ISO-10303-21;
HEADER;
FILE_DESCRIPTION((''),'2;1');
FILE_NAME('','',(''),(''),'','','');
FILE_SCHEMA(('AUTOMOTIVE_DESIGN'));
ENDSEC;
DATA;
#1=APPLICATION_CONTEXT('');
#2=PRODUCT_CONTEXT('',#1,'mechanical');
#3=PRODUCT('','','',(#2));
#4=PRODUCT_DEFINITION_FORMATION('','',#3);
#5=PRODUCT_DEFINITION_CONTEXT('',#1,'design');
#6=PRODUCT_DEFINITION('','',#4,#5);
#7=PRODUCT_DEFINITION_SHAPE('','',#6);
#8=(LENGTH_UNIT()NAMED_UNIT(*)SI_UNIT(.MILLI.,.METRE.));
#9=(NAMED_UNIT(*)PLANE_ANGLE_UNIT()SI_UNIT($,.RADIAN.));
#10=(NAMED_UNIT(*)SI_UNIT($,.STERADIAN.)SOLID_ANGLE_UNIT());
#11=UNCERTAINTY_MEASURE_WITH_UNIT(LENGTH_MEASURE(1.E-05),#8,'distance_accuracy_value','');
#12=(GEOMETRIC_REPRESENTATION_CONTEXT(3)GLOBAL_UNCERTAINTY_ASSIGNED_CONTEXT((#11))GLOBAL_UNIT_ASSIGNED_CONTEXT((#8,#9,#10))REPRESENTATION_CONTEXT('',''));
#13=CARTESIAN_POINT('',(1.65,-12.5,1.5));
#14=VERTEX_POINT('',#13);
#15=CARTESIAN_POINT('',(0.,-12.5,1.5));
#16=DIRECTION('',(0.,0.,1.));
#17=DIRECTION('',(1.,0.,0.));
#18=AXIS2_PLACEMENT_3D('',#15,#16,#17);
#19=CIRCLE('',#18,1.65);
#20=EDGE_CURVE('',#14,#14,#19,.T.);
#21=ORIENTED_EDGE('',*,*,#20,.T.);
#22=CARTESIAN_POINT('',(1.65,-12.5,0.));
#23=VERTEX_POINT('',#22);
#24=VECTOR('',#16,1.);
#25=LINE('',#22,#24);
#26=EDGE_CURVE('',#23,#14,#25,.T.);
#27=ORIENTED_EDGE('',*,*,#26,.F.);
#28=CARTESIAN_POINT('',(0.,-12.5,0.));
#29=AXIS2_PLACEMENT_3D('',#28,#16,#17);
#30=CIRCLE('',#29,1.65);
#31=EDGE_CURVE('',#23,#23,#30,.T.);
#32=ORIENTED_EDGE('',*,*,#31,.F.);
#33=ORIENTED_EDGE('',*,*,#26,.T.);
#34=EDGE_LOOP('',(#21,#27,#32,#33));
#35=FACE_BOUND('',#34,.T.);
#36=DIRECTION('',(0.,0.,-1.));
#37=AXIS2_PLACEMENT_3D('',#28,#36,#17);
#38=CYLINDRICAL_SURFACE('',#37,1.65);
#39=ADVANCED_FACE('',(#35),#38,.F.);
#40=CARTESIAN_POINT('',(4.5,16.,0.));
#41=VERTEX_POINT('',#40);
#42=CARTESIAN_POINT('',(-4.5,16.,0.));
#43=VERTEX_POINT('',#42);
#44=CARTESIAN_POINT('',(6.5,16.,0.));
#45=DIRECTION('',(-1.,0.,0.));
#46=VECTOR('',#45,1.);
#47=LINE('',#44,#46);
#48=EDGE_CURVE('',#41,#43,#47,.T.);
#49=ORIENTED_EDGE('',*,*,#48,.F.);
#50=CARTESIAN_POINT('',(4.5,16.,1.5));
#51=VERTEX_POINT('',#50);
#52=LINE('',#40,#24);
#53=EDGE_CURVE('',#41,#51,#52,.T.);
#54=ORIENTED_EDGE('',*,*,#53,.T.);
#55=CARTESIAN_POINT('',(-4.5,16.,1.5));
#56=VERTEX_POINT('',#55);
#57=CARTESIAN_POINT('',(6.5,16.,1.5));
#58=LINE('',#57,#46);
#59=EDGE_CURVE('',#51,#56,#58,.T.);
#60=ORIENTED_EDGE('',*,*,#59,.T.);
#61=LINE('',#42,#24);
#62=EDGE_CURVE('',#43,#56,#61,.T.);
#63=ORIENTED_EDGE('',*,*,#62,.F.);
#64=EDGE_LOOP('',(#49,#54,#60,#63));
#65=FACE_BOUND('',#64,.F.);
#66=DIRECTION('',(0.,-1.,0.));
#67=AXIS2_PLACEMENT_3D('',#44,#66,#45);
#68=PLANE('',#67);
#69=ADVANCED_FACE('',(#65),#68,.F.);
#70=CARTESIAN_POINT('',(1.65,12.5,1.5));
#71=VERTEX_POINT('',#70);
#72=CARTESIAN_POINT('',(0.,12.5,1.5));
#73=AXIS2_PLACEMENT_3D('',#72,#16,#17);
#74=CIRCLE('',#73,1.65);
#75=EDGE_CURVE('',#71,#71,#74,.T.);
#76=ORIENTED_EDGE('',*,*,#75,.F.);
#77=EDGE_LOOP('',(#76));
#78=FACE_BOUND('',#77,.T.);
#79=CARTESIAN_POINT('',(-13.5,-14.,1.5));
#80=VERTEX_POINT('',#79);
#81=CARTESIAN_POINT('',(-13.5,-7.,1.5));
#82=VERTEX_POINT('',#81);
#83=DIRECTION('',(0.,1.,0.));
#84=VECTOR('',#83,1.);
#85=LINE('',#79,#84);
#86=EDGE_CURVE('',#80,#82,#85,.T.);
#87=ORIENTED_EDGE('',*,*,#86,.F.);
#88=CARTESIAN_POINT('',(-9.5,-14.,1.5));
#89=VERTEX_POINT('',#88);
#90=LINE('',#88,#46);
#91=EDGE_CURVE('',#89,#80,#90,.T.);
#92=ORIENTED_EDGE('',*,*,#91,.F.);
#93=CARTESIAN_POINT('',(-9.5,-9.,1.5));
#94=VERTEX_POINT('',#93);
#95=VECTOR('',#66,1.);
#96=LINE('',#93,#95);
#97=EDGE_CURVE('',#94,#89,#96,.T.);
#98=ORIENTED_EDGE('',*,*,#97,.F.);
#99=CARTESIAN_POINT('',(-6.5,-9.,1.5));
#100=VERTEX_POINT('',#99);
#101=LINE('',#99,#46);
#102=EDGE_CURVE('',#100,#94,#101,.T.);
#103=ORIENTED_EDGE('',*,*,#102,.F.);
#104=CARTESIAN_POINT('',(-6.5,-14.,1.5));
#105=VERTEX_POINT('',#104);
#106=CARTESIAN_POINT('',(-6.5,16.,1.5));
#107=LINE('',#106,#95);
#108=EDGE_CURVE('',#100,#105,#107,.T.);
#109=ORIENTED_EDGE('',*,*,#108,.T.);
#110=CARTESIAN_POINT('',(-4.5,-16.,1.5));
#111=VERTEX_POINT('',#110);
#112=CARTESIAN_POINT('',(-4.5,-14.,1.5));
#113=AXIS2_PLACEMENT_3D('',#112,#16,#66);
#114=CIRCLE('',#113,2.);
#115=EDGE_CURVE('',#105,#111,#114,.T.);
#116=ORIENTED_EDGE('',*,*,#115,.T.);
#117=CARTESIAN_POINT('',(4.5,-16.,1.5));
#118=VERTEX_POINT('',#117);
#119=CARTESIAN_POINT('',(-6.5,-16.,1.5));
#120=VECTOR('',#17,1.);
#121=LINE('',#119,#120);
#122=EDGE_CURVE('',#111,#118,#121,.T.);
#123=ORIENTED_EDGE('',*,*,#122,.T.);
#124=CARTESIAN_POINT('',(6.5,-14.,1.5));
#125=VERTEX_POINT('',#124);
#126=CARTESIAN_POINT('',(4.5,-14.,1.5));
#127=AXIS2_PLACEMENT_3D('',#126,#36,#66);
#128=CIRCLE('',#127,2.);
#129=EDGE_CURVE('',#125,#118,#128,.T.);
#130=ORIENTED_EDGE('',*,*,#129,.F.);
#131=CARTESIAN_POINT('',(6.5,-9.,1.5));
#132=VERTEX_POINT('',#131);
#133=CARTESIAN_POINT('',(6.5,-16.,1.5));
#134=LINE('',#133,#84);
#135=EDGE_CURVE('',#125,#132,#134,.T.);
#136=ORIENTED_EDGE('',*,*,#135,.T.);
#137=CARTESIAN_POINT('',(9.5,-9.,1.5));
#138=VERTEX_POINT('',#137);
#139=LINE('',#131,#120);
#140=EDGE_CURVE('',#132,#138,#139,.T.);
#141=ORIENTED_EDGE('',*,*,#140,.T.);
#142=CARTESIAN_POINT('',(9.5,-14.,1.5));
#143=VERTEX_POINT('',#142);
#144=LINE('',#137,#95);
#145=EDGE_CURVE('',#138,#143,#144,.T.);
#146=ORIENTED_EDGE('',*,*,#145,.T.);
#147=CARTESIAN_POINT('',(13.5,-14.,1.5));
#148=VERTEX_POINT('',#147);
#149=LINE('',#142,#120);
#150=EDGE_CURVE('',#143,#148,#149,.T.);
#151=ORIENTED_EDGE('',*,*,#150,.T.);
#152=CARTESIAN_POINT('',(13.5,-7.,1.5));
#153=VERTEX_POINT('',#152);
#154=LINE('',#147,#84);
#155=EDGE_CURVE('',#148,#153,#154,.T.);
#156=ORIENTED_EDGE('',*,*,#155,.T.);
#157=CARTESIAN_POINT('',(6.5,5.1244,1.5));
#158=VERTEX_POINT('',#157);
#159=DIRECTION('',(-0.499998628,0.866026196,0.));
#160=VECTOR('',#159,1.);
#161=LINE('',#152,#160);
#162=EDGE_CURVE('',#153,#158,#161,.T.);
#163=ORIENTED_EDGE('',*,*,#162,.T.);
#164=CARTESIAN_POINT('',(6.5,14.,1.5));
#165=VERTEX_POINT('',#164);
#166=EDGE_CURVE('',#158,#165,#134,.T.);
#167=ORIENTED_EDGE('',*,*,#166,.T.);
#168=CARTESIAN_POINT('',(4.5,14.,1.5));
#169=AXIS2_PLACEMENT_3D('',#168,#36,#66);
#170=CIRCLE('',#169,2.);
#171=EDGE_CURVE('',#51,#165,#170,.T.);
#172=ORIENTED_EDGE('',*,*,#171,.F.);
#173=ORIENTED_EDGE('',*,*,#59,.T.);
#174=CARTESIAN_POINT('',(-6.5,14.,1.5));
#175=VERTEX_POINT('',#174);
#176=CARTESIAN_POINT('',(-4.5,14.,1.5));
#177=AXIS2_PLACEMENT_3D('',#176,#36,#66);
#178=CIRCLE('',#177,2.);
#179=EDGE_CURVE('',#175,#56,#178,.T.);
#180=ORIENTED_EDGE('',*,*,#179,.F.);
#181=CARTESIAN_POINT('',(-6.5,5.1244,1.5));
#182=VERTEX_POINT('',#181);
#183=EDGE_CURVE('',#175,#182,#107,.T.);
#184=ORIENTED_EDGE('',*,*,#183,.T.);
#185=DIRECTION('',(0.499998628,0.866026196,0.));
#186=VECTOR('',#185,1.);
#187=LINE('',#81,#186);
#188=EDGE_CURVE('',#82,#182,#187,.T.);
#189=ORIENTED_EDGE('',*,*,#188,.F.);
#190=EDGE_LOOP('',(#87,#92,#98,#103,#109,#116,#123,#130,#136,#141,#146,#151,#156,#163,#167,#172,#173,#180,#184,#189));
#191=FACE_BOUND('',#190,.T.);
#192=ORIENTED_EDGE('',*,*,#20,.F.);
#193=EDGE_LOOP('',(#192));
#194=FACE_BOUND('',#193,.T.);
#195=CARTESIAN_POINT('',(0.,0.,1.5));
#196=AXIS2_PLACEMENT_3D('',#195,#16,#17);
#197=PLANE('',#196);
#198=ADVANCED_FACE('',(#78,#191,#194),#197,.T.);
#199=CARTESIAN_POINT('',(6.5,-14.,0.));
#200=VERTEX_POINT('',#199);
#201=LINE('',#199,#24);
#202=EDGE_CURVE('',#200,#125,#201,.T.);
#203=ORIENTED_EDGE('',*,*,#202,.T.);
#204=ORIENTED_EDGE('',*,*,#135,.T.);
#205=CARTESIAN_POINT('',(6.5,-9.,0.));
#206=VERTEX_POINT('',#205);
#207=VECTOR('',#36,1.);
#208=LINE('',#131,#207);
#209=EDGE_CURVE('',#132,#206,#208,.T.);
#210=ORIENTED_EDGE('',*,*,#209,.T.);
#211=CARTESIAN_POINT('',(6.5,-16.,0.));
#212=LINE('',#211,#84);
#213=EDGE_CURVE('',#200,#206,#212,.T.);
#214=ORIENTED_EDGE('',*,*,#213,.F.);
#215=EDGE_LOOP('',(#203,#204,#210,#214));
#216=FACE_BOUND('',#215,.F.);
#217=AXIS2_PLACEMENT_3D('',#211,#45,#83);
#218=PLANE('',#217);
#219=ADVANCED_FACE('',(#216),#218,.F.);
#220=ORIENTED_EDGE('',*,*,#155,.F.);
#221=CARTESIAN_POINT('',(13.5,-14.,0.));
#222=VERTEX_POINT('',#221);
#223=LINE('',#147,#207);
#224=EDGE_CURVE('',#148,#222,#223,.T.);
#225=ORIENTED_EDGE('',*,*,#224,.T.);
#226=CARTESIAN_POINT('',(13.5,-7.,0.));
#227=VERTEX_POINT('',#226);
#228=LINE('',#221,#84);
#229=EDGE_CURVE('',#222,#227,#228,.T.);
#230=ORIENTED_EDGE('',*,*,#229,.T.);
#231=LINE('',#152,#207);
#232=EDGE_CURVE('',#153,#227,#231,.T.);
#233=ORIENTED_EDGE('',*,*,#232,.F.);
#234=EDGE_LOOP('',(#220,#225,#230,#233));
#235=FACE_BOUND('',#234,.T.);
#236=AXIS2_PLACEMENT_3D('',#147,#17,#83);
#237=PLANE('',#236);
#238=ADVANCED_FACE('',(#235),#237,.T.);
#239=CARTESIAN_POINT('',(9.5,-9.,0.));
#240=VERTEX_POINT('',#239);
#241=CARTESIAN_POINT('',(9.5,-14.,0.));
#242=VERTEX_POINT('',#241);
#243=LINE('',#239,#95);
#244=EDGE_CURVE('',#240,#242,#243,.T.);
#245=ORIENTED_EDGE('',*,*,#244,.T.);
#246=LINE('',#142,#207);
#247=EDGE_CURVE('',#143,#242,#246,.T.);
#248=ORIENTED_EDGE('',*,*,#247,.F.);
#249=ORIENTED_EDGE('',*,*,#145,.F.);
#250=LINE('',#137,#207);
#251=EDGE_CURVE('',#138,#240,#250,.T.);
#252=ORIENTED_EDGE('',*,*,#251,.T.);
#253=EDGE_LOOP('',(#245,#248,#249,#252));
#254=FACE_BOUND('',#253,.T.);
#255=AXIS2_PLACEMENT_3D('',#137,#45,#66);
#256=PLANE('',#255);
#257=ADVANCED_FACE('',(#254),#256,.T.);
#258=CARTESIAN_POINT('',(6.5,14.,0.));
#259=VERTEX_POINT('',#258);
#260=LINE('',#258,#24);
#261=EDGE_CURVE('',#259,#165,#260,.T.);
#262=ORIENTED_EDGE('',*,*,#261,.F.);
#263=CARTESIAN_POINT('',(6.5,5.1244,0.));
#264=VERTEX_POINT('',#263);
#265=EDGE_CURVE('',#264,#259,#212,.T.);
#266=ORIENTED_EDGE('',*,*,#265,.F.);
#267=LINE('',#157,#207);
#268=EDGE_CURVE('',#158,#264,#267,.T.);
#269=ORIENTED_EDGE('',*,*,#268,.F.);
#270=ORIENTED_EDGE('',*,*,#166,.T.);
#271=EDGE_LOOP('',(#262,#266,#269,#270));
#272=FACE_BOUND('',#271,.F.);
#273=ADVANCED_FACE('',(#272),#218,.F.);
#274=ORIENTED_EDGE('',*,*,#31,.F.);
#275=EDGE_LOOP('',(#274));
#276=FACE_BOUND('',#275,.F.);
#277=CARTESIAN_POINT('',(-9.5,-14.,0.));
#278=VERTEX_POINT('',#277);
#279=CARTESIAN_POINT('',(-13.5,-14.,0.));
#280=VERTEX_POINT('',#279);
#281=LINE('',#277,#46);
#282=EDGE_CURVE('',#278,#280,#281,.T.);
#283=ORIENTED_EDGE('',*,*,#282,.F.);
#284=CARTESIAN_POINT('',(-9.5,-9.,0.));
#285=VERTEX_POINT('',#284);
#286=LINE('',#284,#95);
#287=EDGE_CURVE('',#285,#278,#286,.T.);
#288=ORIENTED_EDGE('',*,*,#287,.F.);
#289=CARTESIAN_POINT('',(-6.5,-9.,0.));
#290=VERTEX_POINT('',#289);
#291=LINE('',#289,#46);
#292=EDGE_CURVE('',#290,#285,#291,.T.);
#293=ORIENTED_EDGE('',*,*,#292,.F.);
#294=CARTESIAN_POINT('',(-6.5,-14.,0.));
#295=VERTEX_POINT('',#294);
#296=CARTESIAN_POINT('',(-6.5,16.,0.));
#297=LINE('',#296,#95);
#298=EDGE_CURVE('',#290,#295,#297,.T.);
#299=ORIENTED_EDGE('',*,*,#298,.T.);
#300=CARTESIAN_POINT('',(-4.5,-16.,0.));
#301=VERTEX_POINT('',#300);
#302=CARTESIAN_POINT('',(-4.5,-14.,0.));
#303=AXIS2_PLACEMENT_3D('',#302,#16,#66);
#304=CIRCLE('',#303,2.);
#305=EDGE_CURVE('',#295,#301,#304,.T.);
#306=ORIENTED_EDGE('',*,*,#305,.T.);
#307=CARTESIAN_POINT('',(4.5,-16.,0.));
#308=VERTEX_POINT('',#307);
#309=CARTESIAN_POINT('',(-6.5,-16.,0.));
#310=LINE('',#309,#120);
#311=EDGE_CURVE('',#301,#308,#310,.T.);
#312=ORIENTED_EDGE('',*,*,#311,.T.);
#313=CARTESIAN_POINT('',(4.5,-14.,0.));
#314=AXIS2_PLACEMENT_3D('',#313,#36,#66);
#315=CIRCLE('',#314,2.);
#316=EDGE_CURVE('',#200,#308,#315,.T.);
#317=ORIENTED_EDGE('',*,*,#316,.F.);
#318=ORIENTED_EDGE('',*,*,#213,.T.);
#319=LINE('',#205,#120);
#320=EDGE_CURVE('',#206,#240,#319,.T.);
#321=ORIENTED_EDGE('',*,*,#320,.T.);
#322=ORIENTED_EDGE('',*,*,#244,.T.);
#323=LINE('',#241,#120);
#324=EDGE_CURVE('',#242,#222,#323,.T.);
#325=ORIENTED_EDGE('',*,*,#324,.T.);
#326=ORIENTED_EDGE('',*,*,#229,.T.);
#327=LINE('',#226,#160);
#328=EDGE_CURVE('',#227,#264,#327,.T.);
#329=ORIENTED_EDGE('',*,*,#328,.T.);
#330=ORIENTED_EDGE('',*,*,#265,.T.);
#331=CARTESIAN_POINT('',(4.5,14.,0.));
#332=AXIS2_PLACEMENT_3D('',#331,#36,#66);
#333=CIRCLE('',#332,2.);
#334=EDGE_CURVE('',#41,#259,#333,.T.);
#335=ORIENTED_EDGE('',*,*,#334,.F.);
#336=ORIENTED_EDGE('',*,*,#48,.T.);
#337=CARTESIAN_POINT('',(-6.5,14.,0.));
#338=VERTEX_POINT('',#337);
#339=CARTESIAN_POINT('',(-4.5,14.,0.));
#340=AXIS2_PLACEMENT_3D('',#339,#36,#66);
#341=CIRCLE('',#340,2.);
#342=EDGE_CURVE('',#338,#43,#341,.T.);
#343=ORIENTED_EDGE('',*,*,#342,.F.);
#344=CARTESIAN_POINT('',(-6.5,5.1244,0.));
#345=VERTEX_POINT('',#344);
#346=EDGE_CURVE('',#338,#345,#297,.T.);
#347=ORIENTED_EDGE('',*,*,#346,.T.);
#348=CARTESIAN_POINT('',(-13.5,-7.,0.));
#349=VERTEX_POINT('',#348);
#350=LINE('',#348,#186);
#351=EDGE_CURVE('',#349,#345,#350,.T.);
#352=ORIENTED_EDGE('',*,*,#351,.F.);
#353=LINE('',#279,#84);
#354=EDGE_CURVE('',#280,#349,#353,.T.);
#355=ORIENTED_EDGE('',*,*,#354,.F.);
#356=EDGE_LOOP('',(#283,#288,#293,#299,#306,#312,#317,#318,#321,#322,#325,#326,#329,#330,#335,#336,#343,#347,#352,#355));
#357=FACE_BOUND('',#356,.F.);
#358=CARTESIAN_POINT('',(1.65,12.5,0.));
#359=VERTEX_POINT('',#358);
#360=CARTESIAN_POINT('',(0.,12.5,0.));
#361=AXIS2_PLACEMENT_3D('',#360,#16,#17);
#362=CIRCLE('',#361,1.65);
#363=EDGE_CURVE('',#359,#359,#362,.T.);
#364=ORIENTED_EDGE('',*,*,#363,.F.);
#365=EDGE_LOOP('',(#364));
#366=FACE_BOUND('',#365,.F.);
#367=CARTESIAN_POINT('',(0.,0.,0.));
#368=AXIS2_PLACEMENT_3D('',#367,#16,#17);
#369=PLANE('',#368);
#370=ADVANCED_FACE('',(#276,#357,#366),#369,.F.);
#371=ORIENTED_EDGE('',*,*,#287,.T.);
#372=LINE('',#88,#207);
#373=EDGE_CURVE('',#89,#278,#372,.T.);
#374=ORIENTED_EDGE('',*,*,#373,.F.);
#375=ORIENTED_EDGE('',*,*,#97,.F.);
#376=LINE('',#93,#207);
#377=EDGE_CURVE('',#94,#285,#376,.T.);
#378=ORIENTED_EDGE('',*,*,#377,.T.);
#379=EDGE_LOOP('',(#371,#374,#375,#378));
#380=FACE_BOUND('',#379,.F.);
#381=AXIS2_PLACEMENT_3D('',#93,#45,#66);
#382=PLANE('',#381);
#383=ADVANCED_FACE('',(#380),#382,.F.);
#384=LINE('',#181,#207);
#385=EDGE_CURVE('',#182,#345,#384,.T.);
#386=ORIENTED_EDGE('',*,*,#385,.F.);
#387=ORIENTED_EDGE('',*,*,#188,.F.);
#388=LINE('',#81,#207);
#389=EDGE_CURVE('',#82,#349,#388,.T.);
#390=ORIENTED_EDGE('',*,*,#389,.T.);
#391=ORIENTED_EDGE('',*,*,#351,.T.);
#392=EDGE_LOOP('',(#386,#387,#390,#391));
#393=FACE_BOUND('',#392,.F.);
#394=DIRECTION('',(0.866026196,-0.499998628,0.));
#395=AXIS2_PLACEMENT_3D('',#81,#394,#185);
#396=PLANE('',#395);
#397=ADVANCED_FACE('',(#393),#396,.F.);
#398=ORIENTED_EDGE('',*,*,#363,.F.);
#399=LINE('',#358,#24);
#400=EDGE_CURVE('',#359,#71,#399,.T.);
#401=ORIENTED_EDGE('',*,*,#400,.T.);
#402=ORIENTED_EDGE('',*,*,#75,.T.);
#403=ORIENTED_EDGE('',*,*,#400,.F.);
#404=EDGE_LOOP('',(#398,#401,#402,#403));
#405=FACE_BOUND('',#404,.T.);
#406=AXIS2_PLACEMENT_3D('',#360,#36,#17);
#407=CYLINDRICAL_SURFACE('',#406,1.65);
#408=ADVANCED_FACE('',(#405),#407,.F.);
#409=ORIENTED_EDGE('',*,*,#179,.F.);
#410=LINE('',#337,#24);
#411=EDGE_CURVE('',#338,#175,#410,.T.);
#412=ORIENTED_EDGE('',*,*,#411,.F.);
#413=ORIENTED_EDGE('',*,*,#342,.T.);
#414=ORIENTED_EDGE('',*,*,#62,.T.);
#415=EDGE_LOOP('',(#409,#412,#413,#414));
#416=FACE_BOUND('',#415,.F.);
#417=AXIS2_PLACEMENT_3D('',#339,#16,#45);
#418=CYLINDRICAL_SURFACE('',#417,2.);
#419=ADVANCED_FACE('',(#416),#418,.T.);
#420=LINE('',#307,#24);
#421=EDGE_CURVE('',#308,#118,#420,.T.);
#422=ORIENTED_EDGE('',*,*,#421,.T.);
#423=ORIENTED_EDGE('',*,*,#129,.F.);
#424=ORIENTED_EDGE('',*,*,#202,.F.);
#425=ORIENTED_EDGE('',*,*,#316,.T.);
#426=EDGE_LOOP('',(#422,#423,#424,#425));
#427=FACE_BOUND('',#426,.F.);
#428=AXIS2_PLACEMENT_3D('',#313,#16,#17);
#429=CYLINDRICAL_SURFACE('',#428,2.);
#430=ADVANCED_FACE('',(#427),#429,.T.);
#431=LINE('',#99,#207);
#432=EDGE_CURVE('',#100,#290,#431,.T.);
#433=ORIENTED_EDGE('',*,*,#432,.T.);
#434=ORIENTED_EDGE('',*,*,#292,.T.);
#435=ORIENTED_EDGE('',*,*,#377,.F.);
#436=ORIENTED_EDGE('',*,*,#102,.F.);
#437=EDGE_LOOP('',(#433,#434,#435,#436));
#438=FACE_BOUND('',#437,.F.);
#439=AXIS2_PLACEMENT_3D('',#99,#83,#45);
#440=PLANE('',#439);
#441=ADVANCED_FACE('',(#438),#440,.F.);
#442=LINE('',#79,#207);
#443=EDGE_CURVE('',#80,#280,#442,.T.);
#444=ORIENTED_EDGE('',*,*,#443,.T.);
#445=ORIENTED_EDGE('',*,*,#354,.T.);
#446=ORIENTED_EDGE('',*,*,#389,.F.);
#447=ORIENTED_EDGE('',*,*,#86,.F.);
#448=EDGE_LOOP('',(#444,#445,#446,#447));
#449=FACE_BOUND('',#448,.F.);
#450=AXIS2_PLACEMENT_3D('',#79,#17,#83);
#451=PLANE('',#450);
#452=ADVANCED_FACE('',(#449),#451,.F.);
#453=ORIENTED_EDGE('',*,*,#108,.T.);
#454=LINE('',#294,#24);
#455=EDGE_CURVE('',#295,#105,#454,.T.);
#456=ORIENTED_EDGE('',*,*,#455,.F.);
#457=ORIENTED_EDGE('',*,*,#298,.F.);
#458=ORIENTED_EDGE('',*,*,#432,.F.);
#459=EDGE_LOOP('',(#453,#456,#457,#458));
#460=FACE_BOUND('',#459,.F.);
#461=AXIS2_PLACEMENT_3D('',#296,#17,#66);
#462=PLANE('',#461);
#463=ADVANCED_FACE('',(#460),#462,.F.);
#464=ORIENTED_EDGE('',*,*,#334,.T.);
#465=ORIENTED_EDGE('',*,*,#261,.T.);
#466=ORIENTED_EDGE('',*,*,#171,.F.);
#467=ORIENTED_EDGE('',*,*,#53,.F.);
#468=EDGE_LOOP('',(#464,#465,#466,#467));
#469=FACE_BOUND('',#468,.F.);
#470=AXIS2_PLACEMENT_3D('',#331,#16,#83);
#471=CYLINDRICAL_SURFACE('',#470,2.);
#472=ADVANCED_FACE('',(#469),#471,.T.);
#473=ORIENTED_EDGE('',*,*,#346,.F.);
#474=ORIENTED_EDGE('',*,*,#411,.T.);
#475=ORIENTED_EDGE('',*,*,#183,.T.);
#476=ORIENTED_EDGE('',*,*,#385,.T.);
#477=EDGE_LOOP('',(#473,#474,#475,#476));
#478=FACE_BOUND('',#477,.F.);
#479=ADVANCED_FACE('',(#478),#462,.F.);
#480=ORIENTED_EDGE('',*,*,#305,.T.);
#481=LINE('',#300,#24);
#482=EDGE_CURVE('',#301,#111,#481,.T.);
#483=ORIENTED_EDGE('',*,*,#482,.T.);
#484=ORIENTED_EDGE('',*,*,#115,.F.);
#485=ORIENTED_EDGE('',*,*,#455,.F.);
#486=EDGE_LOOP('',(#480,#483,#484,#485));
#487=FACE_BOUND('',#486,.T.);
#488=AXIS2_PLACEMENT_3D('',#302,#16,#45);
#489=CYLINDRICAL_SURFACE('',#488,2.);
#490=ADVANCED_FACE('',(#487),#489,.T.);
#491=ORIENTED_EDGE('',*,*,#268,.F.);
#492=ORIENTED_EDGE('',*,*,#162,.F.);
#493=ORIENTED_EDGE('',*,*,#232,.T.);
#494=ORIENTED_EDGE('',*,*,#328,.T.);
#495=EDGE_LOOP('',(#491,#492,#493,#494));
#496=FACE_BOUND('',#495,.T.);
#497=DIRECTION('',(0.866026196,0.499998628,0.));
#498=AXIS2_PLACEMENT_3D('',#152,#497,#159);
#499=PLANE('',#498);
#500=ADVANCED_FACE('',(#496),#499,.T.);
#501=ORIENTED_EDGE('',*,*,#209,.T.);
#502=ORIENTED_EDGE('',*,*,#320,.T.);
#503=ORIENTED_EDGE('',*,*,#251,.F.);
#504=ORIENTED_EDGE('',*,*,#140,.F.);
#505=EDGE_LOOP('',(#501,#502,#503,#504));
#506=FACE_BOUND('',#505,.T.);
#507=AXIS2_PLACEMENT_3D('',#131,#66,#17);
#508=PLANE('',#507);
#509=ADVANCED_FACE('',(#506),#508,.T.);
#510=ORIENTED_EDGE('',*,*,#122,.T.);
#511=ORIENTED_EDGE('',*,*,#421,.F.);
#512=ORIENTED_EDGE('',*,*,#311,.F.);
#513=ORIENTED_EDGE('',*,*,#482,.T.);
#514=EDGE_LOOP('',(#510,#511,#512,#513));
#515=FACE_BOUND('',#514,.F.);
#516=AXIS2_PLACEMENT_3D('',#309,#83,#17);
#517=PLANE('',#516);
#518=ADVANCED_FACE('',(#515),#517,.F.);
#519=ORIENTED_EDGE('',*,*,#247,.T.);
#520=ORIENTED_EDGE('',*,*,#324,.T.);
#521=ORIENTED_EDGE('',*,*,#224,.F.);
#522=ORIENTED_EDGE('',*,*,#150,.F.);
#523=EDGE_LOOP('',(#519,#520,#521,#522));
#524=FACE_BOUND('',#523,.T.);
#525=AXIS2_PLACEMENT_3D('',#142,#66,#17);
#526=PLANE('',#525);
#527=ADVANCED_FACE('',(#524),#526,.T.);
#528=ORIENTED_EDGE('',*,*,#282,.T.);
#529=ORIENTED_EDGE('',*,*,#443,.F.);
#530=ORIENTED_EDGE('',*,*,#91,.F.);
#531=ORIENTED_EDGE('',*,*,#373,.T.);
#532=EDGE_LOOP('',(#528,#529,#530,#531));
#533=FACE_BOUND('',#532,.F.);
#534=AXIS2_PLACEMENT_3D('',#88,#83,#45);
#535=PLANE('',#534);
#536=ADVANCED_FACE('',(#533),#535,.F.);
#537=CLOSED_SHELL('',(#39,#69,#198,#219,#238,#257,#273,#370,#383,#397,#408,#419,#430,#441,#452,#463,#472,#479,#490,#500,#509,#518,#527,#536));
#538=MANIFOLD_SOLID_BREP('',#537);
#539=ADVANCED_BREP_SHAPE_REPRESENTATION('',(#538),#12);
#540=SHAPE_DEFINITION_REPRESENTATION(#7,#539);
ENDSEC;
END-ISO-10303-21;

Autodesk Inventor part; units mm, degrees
ref_plane "YZ Plane" through (0, 0, 0) normal (1, 0, 0) x (0, 1, 0)
ref_plane "XZ Plane" through (0, 0, 0) normal (0, 1, 0) x (-1, 0, 0)
ref_plane "XY Plane" through (0, 0, 0) normal (0, 0, 1) x (1, 0, 0)
sketch "Sketch1" plane through (0, 0, 0) normal (0, 0, 1) x (1, 0, 0)
  line L0 (-6.5, -16) -> (6.5, -16)
  line L1 (6.5, -16) -> (6.5, 16)
  line L2 (6.5, 16) -> (-6.5, 16)
  line L3 (-6.5, 16) -> (-6.5, -16)
  line L4 (-6.5, -16) -> (6.5, 16) construction
  line L5 (6.5, -16) -> (-6.5, 16) construction
  line L6 (0, 0) -> (0, 12.5) construction
  line L7 (0, 0) -> (0, -12.5) construction
  circle A0 centre (0, 12.5) radius 1.65
  circle A1 centre (0, -12.5) radius 1.65
  dimension "d0" = 13
  dimension "d1" = 32
  dimension "d8" = 3.3
  dimension "d9" = 25
extrude "Extrusion1" add sketch "Sketch1" along normal blind 1.5
fillet "Fillet1" radius 2 4 edges at (6.5, 16, 0.75) (-6.5, 16, 0.75) (-6.5, -16, 0.75) (6.5, -16, 0.75)
sketch "Sketch2" plane through (0, 0, 1.5) normal (0, 0, 1) x (1, 0, 0)
  line L0 (6.5, -14) -> (6.5, 14) projected
  line L1 (6.5, -9) -> (9.5, -9)
  line L2 (9.5, -9) -> (9.5, -14)
  line L3 (9.5, -14) -> (6.5, -14) construction
  line L4 (9.5, -14) -> (13.5, -14)
  line L5 (13.5, -14) -> (13.5, -7)
  line L6 (13.5, -7) -> (6.5, 5.1244)
  line L7 (0, 0) -> (0, -8.4482) construction
  line L8 (6.5, 5.1244) -> (6.5, -9)
  line L9 (-6.5, -9) -> (-9.5, -9)
  line L10 (-9.5, -9) -> (-9.5, -14)
  line L11 (-9.5, -14) -> (-6.5, -14) construction
  line L12 (-9.5, -14) -> (-13.5, -14)
  line L13 (-13.5, -14) -> (-13.5, -7)
  line L14 (-13.5, -7) -> (-6.5, 5.1244)
  line L15 (-6.5, 5.1244) -> (-6.5, -9)
  dimension "d10" = 3
  dimension "d11" = 5
  dimension "d12" = 4
  dimension "d13" = 2
  dimension "d14" = 30
extrude "Extrusion2" add sketch "Sketch2" against normal blind 1.5
properties part number "PusherConstraint"
